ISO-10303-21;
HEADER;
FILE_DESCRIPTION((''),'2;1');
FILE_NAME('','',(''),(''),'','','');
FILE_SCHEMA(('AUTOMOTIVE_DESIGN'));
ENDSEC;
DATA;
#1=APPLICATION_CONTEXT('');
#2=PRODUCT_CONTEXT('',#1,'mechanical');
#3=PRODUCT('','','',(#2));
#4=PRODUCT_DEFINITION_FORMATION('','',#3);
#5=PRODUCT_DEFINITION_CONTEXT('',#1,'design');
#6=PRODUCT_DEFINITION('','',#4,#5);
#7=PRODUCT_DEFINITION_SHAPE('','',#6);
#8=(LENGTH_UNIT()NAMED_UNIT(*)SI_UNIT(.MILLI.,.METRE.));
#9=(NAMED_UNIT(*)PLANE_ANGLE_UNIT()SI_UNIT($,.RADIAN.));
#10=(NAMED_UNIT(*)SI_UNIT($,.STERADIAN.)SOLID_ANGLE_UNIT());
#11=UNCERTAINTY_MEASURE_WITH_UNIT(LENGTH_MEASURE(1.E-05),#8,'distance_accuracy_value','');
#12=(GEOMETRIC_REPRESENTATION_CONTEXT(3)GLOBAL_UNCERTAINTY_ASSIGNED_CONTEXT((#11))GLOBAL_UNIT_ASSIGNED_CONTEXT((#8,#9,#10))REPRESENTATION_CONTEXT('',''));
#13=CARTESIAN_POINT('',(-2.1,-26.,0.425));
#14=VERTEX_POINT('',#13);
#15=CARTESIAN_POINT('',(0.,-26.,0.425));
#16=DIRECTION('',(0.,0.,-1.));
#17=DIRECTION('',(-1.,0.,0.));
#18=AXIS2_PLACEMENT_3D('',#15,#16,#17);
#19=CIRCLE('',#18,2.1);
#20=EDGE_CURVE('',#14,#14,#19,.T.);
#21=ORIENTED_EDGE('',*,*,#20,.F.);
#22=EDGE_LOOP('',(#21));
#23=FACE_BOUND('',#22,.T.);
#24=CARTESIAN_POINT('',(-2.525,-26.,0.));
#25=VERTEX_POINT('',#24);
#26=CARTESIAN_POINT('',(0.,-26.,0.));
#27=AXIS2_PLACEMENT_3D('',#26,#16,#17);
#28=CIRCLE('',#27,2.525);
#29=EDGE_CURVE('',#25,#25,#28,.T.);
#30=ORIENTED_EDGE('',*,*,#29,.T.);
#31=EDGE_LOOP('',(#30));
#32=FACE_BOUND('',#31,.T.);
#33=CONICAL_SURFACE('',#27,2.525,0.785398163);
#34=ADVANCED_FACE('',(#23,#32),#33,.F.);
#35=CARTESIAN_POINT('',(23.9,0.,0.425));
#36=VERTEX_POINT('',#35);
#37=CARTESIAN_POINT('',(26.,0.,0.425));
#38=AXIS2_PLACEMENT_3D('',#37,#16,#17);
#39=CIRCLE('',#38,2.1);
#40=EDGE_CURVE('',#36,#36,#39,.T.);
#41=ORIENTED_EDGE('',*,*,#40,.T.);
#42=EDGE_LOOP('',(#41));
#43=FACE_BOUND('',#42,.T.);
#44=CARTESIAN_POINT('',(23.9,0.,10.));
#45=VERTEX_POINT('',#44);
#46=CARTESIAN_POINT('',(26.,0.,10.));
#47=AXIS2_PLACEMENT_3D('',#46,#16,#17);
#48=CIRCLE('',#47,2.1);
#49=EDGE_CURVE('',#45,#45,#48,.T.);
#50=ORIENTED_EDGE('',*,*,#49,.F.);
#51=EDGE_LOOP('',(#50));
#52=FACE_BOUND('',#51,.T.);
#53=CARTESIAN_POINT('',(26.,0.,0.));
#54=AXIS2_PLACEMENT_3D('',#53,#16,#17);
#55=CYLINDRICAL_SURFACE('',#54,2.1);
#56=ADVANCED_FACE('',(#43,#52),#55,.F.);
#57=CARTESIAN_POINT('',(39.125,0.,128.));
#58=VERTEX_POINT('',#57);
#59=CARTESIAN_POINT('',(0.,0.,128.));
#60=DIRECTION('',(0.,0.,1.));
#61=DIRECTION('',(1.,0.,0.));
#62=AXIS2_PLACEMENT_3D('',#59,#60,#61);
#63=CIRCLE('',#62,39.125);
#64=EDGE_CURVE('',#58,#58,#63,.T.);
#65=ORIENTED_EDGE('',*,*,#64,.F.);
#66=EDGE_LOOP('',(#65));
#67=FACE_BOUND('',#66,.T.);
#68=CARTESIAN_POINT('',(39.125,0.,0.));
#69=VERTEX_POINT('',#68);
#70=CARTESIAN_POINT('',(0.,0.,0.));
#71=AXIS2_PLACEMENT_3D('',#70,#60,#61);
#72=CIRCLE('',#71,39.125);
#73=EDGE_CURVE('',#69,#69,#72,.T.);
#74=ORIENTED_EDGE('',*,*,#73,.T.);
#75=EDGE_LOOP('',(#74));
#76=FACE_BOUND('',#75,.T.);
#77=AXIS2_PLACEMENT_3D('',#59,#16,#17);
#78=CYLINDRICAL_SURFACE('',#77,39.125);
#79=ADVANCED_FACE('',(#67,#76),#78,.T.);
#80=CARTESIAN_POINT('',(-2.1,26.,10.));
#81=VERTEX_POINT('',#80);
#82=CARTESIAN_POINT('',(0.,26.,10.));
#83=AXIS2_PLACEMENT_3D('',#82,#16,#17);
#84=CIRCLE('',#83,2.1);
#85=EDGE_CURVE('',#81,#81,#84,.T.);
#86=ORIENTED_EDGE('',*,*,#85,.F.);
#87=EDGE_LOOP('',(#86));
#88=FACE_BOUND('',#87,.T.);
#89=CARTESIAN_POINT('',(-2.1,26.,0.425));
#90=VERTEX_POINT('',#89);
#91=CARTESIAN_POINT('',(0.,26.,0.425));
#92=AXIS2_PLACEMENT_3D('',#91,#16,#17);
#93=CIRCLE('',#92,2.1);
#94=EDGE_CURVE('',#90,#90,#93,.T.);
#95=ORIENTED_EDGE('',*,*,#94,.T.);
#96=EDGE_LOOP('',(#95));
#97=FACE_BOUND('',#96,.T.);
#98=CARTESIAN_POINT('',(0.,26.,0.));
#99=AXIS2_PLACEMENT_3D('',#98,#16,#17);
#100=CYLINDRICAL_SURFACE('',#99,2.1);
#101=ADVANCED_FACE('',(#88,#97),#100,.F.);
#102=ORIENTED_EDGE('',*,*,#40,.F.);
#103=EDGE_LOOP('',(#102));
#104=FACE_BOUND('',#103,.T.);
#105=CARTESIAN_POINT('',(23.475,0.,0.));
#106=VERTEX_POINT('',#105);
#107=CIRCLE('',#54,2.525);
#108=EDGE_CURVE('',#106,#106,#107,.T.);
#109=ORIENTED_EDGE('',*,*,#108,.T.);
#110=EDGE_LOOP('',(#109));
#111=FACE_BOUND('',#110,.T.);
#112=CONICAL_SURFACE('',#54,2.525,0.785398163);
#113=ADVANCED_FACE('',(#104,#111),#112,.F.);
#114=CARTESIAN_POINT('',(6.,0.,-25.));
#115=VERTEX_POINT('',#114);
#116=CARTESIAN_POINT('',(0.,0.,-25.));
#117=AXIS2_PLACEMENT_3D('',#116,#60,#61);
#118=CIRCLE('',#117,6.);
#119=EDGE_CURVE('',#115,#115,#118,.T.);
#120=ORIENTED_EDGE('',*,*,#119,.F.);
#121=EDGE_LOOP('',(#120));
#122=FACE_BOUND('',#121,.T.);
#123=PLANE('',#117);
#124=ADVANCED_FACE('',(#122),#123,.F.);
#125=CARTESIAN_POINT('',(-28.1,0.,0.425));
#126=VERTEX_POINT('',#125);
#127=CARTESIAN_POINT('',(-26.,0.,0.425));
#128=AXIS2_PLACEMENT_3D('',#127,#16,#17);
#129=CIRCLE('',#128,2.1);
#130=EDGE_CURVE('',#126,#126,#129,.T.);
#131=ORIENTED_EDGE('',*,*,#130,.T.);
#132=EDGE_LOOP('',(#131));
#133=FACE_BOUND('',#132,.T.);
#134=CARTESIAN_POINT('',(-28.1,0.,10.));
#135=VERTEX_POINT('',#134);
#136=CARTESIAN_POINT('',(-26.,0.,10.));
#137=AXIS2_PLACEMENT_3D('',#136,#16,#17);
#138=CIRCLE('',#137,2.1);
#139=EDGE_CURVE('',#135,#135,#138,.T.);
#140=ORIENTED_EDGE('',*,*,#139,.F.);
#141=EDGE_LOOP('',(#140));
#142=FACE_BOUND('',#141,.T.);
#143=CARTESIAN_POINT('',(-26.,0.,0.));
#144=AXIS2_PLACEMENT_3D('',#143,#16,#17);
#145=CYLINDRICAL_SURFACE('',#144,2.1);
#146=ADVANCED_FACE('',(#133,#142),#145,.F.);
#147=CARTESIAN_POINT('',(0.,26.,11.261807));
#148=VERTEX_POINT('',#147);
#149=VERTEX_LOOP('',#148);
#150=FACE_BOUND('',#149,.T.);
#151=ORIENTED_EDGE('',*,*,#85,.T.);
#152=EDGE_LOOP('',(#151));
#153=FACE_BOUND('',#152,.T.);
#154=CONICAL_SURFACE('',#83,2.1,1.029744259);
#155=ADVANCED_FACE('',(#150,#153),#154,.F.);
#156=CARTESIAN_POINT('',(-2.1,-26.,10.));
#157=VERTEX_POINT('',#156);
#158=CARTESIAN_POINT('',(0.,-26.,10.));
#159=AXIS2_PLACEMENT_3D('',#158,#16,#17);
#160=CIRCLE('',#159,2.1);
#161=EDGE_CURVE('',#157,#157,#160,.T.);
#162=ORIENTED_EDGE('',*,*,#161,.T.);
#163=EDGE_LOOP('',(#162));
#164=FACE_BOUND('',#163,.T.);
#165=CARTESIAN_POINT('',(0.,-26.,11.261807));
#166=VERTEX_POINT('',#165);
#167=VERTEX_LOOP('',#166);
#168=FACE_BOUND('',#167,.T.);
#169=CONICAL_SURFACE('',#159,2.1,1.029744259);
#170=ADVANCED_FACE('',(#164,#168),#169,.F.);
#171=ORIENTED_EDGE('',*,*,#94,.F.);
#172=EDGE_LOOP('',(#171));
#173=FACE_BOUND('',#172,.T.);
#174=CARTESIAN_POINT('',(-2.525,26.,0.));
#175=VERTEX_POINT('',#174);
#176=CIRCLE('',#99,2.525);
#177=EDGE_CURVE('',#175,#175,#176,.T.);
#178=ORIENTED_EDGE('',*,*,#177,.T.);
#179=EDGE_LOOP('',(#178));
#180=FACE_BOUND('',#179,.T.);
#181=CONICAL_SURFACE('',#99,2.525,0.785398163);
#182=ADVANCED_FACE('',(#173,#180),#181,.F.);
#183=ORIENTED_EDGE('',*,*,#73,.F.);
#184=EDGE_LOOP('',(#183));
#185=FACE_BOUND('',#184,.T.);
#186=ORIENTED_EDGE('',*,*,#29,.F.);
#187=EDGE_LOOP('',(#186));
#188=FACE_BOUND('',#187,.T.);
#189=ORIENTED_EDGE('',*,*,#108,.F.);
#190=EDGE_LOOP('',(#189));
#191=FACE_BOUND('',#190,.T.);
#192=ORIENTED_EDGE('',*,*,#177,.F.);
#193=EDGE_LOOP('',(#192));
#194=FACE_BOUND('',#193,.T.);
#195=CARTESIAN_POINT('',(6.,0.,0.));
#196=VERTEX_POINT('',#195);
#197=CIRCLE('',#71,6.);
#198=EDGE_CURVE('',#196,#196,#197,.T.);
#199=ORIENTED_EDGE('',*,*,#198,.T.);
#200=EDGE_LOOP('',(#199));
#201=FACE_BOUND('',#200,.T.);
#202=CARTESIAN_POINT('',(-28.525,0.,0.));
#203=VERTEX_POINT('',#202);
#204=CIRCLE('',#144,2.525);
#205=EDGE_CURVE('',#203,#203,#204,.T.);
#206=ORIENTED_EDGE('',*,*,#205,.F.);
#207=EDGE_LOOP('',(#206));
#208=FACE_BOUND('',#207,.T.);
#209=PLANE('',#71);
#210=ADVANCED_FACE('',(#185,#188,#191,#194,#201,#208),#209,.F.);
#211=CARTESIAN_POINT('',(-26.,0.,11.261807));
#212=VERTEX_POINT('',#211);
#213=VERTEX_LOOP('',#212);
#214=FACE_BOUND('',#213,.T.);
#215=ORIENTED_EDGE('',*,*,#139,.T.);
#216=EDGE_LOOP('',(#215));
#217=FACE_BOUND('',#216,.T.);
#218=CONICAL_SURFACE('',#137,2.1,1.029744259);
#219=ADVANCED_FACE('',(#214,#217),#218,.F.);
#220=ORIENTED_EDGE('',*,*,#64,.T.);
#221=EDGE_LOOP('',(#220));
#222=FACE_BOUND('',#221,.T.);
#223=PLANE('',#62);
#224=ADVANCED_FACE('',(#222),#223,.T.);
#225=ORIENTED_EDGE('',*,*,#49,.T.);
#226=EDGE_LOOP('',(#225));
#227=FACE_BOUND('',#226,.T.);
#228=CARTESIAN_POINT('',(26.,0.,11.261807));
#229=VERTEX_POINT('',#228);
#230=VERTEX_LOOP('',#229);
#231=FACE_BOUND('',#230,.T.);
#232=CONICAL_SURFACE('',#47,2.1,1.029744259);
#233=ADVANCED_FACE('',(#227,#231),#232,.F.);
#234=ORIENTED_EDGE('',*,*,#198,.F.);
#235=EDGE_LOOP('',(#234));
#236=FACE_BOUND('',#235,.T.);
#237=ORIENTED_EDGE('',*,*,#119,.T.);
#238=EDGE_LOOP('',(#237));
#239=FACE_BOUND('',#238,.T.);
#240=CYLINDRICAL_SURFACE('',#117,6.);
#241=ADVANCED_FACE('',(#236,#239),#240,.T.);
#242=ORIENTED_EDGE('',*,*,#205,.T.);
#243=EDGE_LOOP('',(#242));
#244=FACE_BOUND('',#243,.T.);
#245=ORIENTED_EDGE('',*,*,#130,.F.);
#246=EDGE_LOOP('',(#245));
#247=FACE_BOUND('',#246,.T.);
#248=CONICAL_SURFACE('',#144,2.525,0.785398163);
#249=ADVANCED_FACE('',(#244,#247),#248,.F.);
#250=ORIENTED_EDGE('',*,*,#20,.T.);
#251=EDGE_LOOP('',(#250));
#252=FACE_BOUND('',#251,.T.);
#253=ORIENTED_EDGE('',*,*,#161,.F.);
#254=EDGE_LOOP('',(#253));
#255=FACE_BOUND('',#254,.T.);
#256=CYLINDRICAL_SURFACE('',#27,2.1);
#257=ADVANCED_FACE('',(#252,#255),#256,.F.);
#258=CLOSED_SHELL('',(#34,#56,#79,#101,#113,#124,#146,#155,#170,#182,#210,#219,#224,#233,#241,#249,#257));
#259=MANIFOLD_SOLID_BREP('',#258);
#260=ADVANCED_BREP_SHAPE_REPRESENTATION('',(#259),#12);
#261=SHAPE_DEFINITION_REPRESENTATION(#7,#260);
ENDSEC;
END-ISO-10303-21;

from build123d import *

# Parameters (mm, degrees)
ESBO_O1_R                       = 39.125
RESSALTO_EXTRUS_O1_DEPTH        = 128
FURO_ROSCADO_DE_M51_D           = 4.2
FURO_ROSCADO_DE_M51_DEPTH       = 10
FURO_ROSCADO_DE_M51_CSINK_D     = 5.05
FURO_ROSCADO_DE_M51_CSINK_ANGLE = 90
FURO_ROSCADO_DE_M51_TIP         = 1.2618073
ESBO_O1_4_R                     = 6
RESSALTO_EXTRUS_O2_DEPTH        = 25


with BuildPart() as part:
    # Esboço1 → Ressalto-extrusão1 (new body)
    with BuildSketch(Plane.XY):
        Circle(ESBO_O1_R)
    extrude(amount=RESSALTO_EXTRUS_O1_DEPTH)

    # Furo roscado de M51
    with Locations(Plane(origin=(0, 0, 0), x_dir=(-1, 0, 0), z_dir=(0, 0, -1))):
        with Locations((0, 26), (-26, 0), (0, -26), (26, 0)):
            CounterSinkHole(FURO_ROSCADO_DE_M51_D / 2, FURO_ROSCADO_DE_M51_CSINK_D / 2, depth=FURO_ROSCADO_DE_M51_DEPTH, counter_sink_angle=FURO_ROSCADO_DE_M51_CSINK_ANGLE)
            with Locations((0, 0, -(FURO_ROSCADO_DE_M51_DEPTH + FURO_ROSCADO_DE_M51_TIP / 2))):  # 118° drill point
                Cone(0, FURO_ROSCADO_DE_M51_D / 2, FURO_ROSCADO_DE_M51_TIP, mode=Mode.SUBTRACT)

    # Esboço1<4> → Ressalto-extrusão2 (add)
    with BuildSketch(Plane.XY):
        Circle(ESBO_O1_4_R)
    extrude(amount=-RESSALTO_EXTRUS_O2_DEPTH)


solid = part.part
